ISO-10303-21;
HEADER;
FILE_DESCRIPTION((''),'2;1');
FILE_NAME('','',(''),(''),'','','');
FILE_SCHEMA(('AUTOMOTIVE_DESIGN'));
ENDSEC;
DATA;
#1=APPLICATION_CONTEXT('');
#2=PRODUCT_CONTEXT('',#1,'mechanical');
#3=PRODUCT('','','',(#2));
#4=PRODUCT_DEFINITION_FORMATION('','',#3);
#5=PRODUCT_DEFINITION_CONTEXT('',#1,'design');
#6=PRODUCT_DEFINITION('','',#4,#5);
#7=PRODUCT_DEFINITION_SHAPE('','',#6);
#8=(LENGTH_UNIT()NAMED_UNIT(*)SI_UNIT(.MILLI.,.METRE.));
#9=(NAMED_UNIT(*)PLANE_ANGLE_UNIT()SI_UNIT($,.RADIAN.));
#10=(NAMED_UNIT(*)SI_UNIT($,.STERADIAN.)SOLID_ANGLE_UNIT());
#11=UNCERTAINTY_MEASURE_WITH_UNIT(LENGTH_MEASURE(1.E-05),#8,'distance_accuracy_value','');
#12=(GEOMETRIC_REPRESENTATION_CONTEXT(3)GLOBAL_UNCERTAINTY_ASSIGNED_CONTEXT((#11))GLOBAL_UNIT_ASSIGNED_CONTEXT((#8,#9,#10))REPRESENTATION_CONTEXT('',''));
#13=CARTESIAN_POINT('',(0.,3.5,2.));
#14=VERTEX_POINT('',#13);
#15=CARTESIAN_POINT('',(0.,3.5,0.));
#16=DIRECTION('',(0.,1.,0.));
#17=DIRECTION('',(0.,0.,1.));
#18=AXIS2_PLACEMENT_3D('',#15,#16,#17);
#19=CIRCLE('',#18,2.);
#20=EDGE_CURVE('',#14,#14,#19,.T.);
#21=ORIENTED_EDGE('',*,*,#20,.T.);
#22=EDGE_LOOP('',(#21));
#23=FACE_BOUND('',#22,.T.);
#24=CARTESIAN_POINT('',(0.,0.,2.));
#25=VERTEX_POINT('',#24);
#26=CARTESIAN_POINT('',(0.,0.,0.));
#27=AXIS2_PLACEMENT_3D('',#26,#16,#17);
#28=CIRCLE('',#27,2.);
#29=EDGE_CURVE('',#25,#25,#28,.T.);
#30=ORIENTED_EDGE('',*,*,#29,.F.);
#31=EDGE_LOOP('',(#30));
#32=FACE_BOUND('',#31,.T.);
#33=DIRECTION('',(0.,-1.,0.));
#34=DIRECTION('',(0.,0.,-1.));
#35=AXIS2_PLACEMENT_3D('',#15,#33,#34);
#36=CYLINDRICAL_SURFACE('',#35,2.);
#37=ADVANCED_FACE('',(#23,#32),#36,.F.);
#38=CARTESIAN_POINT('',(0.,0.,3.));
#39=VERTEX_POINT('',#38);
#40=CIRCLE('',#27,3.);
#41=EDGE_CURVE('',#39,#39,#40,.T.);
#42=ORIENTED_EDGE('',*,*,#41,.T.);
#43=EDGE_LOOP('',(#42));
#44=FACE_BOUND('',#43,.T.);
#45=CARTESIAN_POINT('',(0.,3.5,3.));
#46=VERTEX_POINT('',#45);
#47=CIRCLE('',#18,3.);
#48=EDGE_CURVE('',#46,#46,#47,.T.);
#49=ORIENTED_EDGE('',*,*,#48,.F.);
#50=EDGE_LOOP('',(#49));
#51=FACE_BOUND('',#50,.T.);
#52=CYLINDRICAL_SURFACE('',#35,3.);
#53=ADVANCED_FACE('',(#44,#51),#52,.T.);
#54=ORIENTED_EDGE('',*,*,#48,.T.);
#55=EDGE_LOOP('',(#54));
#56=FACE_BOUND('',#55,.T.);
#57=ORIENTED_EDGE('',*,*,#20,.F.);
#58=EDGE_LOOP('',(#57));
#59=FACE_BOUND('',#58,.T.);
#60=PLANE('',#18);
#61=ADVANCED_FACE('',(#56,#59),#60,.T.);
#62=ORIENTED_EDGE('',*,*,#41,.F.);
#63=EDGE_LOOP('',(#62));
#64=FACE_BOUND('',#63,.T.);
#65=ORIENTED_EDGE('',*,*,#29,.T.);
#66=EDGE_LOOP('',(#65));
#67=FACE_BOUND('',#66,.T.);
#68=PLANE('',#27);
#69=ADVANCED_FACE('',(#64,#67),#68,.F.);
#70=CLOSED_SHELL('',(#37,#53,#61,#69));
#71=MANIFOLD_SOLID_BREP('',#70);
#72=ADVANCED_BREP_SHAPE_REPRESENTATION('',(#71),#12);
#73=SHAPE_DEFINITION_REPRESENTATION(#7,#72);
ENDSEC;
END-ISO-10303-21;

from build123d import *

# Parameters (mm, degrees)
SKETCH_1_R      = 3
SKETCH_1_R_2    = 2
EXTRUDE_1_DEPTH = 3.5


with BuildPart() as part:
    # Эскиз1 → Бобышка-Вытянуть1 (new body)
    with BuildSketch(Plane(origin=(0, 0, 0), x_dir=(1, 0, 0), z_dir=(0, 1, 0))):
        with Locations(Location((0, 0, 0), (0, 0, 270))):
            Circle(SKETCH_1_R)
        with Locations(Location((0, 0, 0), (0, 0, 270))):
            Circle(SKETCH_1_R_2, mode=Mode.SUBTRACT)
    extrude(amount=EXTRUDE_1_DEPTH)


solid = part.part
